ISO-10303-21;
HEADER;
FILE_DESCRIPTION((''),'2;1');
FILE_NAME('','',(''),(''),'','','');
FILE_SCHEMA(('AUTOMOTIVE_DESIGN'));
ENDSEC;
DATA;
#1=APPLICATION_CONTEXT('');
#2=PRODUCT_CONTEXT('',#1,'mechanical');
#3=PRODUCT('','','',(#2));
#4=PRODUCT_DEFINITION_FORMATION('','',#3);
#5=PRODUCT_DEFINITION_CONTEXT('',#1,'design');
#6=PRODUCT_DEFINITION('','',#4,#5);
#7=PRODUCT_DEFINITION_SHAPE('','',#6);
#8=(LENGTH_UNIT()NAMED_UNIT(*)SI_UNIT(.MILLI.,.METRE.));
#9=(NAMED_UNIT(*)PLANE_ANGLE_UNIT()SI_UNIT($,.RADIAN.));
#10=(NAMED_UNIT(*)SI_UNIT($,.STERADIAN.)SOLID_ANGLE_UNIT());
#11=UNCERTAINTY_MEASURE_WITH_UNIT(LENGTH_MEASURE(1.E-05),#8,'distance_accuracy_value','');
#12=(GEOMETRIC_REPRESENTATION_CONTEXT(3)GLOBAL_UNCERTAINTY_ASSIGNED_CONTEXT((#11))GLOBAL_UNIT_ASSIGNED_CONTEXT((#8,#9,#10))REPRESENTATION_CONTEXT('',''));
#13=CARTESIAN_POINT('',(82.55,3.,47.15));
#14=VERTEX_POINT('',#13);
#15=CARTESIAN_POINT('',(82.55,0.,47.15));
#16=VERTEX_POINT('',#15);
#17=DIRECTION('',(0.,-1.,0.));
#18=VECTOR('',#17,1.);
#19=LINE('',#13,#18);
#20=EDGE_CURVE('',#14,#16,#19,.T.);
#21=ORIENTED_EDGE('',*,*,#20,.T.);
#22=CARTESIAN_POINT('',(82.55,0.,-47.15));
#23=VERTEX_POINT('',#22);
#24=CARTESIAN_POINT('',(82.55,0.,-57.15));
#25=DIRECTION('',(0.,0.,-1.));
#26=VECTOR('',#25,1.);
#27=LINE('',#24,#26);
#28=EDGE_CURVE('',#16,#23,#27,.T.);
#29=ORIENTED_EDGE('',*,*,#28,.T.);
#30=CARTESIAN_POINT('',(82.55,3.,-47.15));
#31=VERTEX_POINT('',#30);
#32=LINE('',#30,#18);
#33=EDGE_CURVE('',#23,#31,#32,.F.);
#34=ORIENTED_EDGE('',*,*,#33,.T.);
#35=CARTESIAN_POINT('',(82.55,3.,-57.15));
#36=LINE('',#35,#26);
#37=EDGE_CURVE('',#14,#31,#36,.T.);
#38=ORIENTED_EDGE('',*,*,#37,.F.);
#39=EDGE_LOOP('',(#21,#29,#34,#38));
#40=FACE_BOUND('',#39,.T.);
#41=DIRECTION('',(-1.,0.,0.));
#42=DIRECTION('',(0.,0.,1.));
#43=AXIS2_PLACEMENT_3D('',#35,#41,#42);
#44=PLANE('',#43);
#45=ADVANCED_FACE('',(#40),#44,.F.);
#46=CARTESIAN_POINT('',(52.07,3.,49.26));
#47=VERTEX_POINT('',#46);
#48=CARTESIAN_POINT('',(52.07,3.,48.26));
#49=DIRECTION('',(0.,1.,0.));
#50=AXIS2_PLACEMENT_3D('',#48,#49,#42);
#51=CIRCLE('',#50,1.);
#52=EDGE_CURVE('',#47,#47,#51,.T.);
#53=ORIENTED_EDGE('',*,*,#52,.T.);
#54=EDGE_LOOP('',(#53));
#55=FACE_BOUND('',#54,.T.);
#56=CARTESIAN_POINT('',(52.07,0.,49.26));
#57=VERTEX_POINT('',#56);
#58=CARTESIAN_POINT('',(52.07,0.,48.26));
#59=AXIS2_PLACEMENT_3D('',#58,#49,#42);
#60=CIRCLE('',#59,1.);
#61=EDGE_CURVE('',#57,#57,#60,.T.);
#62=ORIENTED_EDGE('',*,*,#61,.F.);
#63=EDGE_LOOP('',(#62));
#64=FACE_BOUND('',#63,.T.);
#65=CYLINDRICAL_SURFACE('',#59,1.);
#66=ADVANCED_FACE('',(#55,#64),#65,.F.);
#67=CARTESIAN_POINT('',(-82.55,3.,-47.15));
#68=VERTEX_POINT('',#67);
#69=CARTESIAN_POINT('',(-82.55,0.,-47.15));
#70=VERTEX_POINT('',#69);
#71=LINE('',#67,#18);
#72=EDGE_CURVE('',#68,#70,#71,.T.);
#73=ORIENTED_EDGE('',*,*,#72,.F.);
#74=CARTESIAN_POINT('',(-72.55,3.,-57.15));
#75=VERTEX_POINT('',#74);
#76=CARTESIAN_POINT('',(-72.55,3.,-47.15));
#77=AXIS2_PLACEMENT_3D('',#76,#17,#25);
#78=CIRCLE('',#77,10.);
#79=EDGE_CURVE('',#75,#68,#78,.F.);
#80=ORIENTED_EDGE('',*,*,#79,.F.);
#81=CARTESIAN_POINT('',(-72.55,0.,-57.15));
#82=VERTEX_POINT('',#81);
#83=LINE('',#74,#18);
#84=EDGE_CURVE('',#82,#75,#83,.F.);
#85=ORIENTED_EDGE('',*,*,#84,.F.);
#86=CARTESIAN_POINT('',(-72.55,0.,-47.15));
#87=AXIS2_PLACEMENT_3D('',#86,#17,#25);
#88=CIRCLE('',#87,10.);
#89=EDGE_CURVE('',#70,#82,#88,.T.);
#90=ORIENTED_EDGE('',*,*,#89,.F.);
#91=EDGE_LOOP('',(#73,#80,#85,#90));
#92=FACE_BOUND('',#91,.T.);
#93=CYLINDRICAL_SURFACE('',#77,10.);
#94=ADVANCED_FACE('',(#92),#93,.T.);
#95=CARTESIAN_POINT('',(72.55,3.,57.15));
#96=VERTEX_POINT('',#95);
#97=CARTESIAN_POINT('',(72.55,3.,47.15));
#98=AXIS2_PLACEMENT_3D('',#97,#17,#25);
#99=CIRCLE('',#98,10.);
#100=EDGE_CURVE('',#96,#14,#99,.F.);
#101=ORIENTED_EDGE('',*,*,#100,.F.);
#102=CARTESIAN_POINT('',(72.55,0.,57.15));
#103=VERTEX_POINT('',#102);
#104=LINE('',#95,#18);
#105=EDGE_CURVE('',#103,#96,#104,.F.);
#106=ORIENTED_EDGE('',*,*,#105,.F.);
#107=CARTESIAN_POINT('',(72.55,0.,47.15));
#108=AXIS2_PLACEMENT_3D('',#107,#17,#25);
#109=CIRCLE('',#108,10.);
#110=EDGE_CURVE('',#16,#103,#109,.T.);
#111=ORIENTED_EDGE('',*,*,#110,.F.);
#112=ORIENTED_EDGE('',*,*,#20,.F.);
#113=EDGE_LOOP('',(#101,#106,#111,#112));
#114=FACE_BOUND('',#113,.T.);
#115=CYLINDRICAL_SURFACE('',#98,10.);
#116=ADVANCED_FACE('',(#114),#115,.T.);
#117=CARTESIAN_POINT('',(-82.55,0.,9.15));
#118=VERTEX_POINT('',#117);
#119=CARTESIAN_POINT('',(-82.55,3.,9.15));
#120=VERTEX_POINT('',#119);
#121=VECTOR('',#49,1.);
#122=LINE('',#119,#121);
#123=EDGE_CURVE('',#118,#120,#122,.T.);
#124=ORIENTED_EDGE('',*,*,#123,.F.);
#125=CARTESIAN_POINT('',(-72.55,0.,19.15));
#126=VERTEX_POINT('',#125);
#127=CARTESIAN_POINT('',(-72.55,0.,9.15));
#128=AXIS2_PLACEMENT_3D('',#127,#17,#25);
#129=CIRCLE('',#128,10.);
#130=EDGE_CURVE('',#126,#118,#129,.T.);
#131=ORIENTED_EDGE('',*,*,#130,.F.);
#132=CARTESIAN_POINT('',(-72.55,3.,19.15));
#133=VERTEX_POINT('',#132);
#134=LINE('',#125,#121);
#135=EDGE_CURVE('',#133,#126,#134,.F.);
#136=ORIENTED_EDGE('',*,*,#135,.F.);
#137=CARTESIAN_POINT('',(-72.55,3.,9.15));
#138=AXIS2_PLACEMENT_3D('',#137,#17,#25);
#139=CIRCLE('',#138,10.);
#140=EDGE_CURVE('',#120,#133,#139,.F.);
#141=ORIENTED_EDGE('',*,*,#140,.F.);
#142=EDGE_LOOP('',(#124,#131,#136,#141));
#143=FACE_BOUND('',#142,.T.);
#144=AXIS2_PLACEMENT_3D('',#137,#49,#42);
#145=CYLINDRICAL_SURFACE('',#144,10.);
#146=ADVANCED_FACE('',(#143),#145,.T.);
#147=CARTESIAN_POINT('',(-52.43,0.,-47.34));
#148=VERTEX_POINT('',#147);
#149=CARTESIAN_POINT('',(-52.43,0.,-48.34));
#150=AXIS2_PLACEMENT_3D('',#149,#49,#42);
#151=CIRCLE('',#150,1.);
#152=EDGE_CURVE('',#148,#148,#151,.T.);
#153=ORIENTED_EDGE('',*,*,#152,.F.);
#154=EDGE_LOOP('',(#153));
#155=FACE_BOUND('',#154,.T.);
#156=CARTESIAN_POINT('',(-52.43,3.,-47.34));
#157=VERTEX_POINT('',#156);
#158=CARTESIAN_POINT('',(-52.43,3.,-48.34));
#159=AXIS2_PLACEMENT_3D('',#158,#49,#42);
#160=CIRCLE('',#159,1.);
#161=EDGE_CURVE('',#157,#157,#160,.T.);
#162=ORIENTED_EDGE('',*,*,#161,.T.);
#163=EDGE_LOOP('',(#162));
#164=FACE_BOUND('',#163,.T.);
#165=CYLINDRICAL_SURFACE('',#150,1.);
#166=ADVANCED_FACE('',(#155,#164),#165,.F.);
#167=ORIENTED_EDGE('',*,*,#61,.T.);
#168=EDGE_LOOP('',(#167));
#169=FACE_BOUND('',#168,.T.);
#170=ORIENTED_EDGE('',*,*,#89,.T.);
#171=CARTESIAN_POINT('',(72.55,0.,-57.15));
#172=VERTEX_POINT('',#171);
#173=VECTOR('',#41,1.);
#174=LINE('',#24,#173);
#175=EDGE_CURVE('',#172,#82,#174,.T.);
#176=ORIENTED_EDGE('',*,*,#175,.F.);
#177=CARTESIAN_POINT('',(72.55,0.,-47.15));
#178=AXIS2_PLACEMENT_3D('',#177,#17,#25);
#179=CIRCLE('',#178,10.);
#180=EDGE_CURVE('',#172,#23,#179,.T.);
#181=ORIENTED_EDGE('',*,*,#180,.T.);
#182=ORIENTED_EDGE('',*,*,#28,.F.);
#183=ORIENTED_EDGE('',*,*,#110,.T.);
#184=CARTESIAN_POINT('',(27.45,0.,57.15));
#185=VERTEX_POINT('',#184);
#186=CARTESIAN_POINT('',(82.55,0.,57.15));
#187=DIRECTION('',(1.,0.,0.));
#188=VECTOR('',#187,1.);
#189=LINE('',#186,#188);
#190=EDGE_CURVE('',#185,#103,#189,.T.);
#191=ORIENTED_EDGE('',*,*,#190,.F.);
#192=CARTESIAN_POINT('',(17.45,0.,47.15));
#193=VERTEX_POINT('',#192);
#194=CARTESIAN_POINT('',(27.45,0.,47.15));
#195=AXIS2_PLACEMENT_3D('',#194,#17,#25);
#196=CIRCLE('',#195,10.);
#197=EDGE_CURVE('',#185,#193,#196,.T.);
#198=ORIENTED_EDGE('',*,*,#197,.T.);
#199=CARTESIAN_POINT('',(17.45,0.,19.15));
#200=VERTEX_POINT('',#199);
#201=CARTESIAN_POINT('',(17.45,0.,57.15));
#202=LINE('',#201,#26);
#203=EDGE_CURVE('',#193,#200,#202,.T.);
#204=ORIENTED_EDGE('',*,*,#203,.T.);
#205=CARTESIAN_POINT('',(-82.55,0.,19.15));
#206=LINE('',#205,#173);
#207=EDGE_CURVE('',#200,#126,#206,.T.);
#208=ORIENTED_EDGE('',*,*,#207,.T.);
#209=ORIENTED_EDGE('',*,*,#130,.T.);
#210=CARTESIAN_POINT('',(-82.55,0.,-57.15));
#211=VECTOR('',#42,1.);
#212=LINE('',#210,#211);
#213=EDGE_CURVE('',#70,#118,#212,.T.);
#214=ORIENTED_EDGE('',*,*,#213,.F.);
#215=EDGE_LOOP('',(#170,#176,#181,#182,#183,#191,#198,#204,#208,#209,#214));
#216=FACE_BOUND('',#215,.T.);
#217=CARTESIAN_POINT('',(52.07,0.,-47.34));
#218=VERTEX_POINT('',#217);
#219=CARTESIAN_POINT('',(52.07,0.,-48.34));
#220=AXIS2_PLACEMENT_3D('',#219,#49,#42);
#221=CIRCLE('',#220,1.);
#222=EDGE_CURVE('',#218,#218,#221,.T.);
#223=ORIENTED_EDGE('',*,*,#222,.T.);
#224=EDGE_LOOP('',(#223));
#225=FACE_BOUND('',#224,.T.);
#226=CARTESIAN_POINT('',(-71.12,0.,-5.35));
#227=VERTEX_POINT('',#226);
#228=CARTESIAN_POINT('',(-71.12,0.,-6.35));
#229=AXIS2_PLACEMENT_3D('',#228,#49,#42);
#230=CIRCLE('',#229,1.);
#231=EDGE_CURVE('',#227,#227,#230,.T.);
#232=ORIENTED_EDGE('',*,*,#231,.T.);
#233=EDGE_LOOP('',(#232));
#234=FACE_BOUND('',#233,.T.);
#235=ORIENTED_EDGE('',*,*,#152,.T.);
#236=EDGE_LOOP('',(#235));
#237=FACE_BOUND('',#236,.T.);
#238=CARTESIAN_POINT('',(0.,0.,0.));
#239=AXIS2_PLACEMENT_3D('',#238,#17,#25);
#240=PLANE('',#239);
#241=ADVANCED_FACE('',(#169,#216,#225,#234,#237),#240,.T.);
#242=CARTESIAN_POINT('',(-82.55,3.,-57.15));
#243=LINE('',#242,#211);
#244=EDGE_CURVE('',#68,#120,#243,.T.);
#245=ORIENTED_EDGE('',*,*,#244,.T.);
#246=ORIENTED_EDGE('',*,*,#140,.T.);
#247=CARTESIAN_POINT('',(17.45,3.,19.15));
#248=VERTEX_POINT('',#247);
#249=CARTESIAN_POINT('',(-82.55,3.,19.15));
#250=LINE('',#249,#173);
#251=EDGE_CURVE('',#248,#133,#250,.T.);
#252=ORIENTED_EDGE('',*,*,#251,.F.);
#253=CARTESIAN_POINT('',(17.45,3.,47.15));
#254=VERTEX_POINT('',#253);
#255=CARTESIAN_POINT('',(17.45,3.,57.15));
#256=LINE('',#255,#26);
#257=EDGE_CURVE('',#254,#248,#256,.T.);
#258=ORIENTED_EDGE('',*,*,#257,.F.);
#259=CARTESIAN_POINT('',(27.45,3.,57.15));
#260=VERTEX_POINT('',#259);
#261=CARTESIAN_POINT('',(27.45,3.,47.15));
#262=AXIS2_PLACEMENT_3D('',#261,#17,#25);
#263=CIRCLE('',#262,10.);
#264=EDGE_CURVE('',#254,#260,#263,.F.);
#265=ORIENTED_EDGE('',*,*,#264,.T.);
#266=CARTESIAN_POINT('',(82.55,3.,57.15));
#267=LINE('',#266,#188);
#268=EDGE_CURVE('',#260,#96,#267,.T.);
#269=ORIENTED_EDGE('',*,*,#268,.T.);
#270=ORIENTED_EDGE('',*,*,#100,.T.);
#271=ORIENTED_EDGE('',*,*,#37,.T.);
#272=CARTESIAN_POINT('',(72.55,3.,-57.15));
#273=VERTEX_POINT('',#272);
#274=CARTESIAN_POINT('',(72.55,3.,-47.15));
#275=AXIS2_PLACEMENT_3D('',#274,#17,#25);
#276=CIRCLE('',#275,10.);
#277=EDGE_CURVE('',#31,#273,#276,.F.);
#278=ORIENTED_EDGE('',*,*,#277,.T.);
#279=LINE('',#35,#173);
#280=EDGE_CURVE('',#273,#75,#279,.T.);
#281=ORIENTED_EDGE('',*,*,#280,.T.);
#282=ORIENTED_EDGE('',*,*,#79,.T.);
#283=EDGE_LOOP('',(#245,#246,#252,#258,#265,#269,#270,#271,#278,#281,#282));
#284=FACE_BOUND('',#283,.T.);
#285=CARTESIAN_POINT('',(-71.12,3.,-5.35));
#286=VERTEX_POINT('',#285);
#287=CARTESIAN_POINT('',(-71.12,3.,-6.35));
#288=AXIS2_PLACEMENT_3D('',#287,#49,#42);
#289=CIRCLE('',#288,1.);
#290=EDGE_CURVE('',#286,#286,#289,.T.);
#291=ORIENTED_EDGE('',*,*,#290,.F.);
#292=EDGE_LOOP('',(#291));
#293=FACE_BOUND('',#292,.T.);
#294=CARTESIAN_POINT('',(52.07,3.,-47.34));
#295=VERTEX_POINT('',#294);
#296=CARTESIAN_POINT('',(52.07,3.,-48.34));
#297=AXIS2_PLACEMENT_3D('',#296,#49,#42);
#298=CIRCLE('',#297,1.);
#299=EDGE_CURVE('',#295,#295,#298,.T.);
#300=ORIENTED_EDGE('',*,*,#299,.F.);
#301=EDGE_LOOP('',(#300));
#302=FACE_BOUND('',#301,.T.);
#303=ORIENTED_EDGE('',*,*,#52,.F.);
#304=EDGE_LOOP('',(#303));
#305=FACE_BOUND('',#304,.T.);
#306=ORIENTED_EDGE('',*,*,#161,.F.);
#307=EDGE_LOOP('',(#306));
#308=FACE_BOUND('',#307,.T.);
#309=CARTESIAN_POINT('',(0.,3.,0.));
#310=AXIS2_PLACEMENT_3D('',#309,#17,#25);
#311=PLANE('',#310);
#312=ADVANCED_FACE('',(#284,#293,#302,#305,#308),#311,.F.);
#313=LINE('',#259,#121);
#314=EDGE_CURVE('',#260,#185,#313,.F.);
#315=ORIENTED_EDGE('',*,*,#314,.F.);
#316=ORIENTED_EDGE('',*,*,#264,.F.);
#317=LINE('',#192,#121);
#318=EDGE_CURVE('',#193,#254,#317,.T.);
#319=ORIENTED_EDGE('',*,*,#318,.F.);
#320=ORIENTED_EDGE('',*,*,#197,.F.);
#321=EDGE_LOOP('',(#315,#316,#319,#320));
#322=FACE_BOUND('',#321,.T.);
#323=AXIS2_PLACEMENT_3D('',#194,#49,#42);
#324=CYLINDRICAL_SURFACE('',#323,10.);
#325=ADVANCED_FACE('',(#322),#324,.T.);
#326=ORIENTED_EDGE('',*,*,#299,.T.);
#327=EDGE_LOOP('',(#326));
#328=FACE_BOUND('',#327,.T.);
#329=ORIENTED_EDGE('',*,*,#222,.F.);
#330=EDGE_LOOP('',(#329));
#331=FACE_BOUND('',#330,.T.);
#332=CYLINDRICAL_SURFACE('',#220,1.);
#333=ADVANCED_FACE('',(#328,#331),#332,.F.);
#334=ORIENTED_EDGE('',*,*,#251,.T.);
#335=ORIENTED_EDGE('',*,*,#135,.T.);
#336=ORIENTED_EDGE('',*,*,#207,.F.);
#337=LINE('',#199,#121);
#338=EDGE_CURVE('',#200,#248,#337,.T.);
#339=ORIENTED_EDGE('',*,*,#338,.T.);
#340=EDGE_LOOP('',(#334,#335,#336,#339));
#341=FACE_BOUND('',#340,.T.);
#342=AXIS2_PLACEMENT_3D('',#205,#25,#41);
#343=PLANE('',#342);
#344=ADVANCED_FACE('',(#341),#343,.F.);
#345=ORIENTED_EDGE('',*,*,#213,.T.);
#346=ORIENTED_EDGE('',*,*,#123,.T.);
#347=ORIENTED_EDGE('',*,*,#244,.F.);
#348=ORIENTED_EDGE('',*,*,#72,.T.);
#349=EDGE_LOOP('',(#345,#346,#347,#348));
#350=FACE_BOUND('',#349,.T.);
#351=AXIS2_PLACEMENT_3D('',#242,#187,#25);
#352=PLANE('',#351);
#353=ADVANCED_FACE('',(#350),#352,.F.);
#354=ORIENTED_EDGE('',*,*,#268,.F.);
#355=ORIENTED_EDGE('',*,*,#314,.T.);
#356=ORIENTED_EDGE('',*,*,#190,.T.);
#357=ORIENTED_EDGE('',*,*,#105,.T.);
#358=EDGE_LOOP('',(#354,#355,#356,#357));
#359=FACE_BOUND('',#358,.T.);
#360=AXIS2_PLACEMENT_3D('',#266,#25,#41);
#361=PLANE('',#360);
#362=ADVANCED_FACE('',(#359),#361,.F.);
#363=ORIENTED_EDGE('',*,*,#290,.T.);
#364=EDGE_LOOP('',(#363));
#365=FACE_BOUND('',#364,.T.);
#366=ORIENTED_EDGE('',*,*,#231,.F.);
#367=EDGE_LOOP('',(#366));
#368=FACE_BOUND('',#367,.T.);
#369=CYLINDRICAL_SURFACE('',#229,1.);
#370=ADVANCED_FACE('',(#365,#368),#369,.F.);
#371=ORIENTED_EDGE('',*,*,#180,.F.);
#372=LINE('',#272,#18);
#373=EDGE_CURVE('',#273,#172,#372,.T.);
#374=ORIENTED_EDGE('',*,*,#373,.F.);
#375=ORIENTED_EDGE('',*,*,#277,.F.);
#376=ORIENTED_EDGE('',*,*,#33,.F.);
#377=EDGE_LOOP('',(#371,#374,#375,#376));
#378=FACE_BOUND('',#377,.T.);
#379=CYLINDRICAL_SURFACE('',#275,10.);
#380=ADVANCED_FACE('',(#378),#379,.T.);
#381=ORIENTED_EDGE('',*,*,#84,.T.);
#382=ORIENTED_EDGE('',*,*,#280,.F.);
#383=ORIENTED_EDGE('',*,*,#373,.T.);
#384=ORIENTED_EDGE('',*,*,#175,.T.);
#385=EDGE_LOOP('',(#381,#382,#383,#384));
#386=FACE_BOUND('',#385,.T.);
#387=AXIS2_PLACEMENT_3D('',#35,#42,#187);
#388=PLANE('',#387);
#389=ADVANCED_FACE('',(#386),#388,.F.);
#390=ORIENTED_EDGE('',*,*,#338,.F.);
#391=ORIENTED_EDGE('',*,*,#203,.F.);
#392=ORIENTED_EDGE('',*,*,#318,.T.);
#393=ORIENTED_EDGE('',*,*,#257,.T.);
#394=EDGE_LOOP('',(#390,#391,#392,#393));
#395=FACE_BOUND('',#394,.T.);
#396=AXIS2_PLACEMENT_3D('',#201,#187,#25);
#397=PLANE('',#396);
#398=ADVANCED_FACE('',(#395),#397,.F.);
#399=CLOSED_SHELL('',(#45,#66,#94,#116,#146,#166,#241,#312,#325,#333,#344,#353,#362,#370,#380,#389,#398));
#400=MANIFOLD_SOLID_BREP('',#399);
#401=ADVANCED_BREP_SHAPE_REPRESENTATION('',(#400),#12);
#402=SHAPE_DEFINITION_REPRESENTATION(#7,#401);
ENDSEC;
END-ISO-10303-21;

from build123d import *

# Parameters (mm, degrees)
SKETCH1_W           = 165.1
SKETCH1_H           = 114.3
BOSS_EXTRUDE1_DEPTH = 3
SKETCH2_W           = 100
SKETCH2_H           = 38
CUT_EXTRUDE1_DEPTH  = 4
FILLET2_R           = 10
SKETCH3_R           = 1
CUT_EXTRUDE3_DEPTH  = 4


with BuildPart() as part:
    # Sketch1 → Boss-Extrude1 (new body)
    with BuildSketch(Plane(origin=(0, 0, 0), x_dir=(1, 0, 0), z_dir=(0, 1, 0))):
        Rectangle(SKETCH1_W, SKETCH1_H)
    extrude(amount=BOSS_EXTRUDE1_DEPTH)

    # Sketch2 → Cut-Extrude1 (cut, through all)
    with BuildSketch(Plane(origin=(0, 3, 0), x_dir=(1, 0, 0), z_dir=(0, 1, 0))):
        with Locations((-32.55, -38.15)):
            Rectangle(SKETCH2_W, SKETCH2_H)
    extrude(amount=-CUT_EXTRUDE1_DEPTH, mode=Mode.SUBTRACT)

    # Fillet2
    fillet2_edges = [part.edges().sort_by_distance(p)[0] for p in [
        (-82.55, 1.5, 19.15),
        (17.45, 1.5, 57.15),
        (-82.55, 1.5, -57.15),
        (82.55, 1.5, -57.15),
        (82.55, 1.5, 57.15),
    ]]
    fillet(fillet2_edges, radius=FILLET2_R)

    # Sketch3 → Cut-Extrude3 (cut, through all)
    with BuildSketch(Plane(origin=(0, 3, 0), x_dir=(1, 0, 0), z_dir=(0, 1, 0))):
        with Locations((-52.43, 48.34)):
            Circle(SKETCH3_R)
        with Locations((-71.12, 6.35)):
            Circle(SKETCH3_R)
        with Locations((52.07, 48.34)):
            Circle(SKETCH3_R)
        with Locations((52.07, -48.26)):
            Circle(SKETCH3_R)
    extrude(amount=-CUT_EXTRUDE3_DEPTH, mode=Mode.SUBTRACT)


solid = part.part
